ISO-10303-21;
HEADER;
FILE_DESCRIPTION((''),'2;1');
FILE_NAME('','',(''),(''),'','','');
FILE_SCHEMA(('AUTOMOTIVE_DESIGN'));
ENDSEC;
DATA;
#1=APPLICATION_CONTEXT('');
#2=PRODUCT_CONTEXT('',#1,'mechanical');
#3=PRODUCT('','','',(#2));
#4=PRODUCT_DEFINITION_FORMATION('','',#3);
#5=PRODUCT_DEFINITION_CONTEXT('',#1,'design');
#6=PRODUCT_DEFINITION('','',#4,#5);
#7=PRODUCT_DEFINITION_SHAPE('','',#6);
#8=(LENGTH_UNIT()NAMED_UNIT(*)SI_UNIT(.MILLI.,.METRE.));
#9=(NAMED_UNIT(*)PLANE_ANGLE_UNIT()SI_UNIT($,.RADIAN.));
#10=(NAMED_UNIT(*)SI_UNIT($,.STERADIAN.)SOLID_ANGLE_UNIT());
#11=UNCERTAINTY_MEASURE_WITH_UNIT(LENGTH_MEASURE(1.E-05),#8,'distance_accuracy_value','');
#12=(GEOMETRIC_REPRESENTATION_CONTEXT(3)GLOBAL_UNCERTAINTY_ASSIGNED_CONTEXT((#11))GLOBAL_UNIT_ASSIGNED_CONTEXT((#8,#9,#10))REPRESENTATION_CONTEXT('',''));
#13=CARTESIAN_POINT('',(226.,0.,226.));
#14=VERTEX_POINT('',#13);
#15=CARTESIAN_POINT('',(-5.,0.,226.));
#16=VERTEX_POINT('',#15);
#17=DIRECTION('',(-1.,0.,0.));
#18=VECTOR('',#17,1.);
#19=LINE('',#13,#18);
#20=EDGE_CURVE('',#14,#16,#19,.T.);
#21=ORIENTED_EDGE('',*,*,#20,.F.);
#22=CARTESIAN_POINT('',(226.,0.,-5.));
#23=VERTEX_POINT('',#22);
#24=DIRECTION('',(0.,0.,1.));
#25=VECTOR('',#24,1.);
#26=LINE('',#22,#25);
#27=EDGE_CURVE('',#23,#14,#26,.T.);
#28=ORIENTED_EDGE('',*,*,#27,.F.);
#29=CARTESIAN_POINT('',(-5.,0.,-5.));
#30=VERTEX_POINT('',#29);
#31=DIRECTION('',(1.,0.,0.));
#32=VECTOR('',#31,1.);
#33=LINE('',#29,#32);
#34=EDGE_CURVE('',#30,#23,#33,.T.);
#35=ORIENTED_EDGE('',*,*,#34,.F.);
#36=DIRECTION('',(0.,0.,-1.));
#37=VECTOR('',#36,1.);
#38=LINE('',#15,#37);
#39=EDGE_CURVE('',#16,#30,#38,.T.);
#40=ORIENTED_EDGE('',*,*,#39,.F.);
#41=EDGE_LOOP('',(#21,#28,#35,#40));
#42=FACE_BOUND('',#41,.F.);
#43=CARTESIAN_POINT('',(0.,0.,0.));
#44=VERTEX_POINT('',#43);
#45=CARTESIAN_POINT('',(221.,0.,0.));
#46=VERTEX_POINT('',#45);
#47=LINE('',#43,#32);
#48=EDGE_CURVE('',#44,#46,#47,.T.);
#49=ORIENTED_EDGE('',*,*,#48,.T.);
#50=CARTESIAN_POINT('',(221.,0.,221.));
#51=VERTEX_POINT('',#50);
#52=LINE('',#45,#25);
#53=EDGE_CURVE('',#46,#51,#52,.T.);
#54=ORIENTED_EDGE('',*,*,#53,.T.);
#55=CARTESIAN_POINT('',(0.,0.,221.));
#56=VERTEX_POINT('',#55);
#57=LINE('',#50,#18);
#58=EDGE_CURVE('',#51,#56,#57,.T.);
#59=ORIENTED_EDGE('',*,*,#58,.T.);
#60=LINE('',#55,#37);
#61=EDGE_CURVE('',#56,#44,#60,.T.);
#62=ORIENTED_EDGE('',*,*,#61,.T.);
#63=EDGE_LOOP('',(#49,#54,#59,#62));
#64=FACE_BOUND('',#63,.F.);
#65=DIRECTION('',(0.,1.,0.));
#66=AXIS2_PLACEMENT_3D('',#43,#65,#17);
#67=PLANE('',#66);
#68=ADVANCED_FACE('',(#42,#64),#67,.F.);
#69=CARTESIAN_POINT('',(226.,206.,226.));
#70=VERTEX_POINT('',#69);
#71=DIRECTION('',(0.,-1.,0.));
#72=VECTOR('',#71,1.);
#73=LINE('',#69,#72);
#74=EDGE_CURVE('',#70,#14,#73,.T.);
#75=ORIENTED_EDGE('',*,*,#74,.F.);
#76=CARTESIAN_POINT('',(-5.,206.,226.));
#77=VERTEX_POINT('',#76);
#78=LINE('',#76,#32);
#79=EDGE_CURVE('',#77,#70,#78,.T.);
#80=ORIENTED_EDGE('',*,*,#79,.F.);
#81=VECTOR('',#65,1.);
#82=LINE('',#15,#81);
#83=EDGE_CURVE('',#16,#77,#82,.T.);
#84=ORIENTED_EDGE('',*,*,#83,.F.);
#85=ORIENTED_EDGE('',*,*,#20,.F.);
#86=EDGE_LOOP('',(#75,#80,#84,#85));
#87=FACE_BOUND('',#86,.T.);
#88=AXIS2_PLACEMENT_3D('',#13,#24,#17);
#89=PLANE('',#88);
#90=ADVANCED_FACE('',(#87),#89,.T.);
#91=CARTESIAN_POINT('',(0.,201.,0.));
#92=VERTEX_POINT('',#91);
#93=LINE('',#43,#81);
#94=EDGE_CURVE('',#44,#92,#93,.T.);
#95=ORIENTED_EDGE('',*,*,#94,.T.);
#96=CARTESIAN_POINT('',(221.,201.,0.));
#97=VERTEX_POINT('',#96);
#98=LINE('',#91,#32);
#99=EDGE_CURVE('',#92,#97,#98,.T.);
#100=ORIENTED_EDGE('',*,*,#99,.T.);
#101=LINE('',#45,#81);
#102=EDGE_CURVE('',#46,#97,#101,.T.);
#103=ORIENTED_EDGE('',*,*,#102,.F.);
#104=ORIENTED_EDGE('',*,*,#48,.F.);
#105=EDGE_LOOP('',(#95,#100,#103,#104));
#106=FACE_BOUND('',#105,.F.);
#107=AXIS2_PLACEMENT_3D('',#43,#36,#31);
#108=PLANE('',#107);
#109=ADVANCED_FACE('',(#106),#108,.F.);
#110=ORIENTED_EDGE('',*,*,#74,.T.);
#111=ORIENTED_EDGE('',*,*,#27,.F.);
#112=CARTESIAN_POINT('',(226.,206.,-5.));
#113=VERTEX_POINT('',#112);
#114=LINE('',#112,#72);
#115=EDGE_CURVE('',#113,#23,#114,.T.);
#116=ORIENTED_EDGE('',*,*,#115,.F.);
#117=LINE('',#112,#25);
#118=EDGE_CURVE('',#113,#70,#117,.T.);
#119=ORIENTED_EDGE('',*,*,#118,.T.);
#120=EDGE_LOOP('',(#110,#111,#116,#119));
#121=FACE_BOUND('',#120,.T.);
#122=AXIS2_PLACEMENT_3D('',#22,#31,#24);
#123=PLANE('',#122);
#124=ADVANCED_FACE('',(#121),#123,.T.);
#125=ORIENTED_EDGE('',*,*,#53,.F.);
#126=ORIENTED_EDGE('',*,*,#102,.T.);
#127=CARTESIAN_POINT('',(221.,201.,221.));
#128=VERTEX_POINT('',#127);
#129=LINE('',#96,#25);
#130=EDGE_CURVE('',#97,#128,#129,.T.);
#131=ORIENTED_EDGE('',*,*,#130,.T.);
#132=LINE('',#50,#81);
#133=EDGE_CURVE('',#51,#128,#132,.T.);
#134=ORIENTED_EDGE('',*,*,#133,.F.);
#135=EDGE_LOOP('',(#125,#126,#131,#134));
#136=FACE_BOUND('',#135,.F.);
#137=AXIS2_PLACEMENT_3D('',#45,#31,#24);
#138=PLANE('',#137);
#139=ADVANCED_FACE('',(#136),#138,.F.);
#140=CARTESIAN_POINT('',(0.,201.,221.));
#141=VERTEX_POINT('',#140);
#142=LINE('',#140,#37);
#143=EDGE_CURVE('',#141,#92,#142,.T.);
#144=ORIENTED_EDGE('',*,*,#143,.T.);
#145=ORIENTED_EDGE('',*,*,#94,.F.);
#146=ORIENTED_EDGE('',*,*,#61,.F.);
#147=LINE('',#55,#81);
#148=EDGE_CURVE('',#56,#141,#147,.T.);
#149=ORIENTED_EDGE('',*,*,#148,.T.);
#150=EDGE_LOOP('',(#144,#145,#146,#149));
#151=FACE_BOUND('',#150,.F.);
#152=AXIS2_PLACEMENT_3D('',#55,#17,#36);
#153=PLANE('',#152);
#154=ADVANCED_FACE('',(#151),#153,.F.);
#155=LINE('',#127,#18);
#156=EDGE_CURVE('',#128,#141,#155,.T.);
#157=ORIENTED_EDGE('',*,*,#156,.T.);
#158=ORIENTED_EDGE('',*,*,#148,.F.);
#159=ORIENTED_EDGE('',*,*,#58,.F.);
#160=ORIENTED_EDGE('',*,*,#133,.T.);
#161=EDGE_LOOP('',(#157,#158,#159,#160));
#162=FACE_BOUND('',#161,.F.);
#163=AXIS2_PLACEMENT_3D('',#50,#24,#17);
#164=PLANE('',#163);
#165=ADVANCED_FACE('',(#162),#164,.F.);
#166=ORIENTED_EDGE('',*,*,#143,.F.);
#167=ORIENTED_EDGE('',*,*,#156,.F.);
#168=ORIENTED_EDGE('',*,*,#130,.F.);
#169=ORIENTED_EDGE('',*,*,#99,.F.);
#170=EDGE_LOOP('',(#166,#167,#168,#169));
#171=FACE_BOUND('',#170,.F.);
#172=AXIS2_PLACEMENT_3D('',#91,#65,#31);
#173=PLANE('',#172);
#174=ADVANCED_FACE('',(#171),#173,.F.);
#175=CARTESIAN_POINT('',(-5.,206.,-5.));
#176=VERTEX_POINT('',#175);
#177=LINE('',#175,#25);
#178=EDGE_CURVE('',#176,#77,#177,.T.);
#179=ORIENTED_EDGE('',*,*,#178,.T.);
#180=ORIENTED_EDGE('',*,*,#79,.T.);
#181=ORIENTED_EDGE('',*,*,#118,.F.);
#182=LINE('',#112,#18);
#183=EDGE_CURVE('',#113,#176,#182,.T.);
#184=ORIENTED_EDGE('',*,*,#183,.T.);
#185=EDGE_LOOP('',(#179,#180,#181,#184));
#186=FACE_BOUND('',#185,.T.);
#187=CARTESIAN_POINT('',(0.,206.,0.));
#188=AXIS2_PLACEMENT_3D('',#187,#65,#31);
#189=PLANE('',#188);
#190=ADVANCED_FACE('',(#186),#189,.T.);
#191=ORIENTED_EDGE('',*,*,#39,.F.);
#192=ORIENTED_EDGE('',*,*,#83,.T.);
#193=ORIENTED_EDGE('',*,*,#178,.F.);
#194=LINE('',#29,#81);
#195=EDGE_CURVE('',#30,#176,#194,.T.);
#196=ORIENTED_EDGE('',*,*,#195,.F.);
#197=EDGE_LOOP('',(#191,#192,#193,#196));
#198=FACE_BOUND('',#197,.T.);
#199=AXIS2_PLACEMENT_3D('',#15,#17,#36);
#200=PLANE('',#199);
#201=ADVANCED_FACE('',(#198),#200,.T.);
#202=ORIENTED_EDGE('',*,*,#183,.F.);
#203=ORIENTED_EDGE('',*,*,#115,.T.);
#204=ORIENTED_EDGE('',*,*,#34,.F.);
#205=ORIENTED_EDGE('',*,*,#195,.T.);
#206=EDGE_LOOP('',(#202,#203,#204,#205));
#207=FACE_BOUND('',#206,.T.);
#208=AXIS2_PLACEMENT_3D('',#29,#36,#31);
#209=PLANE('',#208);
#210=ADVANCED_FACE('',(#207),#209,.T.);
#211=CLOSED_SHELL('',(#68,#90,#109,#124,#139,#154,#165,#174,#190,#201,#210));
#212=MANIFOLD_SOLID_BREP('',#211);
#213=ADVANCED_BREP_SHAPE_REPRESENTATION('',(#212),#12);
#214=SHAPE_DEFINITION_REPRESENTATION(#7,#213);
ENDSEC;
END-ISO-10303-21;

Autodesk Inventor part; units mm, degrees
ref_plane "YZ Plane" through (0, 0, 0) normal (1, 0, 0) x (0, 1, 0)
ref_plane "XZ Plane" through (0, 0, 0) normal (0, 1, 0) x (-1, 0, 0)
ref_plane "XY Plane" through (0, 0, 0) normal (0, 0, 1) x (1, 0, 0)
sketch "Sketch1" plane through (0, 0, 0) normal (0, 1, 0) x (-1, 0, 0)
  line L0 (0, 0) -> (-221, 0)
  line L1 (-221, 0) -> (-221, 221)
  line L2 (-221, 221) -> (0, 221)
  line L3 (0, 221) -> (0, 0)
  line L4 (5, -5) -> (-226, -5)
  line L5 (-226, -5) -> (-226, 226)
  line L6 (-226, 226) -> (5, 226)
  line L7 (5, 226) -> (5, -5)
  dimension "d0" = 221
  dimension "d1" = 221
  dimension "d2" = 5
extrude "Extrusion1" add sketch "Sketch1" along normal blind 201
sketch "Sketch2" plane through (0, 201, 0) normal (0, 1, 0) x (1, 0, 0)
  line L0 (226, 5) -> (226, -226) projected
  line L1 (-5, -226) -> (226, -226)
  line L2 (226, -226) -> (226, 5)
  line L3 (226, 5) -> (-5, 5)
  line L4 (-5, 5) -> (-5, -226)
  point P0 (0, 0)
extrude "Extrusion2" add sketch "Sketch2" along normal blind 5
properties part number "UltimakerDruckgroesse_MAX"
